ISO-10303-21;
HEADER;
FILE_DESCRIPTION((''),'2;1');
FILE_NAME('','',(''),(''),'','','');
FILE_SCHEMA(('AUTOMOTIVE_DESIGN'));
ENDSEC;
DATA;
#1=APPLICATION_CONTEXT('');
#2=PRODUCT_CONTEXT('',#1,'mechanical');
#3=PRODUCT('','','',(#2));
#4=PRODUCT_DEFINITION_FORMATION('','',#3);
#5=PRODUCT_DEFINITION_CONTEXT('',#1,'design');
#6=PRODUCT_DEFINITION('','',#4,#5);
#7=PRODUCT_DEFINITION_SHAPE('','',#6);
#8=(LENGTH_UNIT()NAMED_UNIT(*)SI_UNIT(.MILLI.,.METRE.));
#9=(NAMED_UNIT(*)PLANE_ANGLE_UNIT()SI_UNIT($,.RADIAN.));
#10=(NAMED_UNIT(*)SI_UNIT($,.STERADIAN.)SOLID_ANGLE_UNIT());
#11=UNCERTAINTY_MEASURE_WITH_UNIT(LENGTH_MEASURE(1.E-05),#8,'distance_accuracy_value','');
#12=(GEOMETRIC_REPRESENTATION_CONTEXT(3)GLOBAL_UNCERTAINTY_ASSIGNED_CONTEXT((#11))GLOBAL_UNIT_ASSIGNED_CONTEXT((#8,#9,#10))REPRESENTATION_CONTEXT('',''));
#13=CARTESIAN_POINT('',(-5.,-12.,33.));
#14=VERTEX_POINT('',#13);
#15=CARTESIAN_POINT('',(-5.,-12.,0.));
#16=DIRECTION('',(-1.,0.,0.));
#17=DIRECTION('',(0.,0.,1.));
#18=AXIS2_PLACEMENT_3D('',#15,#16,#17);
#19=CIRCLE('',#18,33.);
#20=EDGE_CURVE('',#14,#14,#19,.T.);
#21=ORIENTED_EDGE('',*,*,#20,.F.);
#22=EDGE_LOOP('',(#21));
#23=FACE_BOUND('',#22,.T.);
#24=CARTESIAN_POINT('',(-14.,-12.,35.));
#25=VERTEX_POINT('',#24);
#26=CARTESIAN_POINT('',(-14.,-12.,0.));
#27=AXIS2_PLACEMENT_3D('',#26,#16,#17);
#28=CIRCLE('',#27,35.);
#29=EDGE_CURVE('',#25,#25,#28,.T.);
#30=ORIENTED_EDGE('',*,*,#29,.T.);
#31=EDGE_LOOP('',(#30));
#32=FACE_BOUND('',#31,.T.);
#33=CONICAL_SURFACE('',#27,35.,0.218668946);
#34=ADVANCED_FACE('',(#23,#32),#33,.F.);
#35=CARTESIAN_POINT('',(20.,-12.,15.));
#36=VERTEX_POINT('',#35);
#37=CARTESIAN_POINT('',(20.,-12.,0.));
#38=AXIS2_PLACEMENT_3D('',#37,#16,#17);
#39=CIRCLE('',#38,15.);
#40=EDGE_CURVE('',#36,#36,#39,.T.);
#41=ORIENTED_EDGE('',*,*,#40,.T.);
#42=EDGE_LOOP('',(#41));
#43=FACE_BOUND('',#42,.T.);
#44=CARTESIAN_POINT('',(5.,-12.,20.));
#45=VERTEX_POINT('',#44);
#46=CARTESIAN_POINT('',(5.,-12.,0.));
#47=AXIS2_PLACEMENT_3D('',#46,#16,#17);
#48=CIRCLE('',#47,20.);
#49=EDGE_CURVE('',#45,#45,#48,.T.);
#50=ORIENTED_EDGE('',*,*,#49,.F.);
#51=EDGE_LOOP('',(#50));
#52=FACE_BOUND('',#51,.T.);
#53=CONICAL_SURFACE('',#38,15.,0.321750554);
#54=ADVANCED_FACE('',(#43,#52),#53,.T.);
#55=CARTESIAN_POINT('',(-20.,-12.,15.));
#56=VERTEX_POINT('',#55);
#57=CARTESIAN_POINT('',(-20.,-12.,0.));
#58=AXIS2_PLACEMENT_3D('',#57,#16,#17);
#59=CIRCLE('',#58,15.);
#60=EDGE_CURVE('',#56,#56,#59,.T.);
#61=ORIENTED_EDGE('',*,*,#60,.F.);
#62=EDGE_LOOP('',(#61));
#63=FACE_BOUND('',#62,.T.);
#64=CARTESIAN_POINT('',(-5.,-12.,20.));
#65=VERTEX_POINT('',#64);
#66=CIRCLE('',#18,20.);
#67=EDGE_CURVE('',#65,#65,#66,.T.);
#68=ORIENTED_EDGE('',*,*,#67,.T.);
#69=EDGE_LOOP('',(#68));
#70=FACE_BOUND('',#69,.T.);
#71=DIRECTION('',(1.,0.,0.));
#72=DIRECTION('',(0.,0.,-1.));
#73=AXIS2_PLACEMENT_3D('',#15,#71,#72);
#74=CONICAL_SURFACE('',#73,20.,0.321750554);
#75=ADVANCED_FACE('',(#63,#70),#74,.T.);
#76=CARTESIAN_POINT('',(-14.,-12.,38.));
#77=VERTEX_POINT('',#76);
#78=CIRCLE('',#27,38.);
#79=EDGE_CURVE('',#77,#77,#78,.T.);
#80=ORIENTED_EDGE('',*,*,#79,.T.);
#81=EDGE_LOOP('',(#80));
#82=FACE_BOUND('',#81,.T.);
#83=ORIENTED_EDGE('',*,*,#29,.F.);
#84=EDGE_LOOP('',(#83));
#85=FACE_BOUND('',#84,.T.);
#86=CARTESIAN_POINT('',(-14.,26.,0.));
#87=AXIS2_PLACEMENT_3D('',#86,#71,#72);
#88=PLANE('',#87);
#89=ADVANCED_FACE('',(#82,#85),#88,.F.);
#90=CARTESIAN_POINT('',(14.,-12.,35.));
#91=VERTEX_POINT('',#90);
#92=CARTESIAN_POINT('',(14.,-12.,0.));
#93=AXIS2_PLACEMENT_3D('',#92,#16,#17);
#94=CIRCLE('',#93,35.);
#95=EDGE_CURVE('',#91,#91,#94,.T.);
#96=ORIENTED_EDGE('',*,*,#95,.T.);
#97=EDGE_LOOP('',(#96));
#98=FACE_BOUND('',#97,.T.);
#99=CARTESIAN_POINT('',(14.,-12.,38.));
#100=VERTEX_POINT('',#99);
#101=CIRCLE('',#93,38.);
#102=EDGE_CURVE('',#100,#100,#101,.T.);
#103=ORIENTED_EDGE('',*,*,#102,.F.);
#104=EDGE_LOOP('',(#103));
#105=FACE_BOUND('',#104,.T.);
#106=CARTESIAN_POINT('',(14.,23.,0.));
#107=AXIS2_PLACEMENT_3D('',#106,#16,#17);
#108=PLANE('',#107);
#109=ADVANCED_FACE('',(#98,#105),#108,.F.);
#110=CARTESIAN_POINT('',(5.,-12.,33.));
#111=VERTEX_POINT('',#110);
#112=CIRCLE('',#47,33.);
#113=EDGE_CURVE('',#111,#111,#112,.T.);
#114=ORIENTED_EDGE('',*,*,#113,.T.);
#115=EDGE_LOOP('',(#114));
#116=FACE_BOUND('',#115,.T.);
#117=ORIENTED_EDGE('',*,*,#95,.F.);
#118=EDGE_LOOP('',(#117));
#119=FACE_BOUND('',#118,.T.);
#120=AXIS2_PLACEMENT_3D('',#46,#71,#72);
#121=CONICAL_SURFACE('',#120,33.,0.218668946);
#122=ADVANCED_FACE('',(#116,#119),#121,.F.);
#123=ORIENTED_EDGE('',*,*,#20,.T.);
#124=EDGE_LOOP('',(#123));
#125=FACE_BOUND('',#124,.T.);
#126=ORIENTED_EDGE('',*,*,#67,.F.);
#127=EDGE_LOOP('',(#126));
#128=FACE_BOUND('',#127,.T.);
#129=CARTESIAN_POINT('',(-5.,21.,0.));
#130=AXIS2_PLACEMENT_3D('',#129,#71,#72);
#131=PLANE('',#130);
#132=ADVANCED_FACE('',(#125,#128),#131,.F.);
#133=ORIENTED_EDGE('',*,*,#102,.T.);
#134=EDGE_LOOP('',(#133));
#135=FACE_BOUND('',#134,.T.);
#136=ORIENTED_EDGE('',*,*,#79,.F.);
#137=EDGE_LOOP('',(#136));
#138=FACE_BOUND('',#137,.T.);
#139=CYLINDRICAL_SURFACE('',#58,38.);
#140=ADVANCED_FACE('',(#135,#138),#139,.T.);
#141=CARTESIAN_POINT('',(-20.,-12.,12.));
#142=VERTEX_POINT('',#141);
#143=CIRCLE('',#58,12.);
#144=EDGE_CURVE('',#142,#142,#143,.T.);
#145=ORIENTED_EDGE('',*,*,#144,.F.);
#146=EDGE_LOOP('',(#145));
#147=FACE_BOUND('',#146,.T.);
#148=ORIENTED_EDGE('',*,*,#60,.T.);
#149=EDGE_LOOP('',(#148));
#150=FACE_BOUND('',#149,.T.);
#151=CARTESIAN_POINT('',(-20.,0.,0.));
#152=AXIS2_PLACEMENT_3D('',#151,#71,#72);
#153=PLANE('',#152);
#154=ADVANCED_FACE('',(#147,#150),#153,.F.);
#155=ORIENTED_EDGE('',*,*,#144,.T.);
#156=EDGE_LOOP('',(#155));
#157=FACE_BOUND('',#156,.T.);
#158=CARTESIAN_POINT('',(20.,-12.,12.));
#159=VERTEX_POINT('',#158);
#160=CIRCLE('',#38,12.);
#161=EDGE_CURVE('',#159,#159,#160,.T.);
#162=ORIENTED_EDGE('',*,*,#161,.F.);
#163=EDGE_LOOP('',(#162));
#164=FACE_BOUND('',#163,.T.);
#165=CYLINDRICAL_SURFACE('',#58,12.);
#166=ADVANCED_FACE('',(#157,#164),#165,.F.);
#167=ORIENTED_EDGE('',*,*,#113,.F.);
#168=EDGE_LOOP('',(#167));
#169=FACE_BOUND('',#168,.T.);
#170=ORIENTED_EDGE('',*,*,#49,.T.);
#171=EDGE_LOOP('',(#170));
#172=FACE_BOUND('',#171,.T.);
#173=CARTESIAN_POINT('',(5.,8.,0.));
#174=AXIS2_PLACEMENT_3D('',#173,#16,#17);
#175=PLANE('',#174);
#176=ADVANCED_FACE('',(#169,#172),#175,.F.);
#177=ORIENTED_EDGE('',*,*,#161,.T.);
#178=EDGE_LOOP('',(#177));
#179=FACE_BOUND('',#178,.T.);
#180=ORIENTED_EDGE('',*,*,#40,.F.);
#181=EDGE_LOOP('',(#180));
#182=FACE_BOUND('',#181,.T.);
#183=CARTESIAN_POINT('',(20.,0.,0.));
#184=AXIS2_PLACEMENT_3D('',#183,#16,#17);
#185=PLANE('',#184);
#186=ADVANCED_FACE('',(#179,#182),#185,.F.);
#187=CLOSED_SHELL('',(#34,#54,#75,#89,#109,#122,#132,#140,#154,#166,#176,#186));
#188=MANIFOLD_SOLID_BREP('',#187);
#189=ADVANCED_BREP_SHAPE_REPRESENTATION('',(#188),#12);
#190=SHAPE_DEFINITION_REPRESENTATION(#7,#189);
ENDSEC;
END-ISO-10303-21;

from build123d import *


with BuildPart() as part:
    # Sketch4 → Revolve10 (revolve)
    with BuildSketch(Plane.XY, mode=Mode.PRIVATE) as revolve10_sk:
        Polygon((0, 0), (20, 0), (20, 3), (5, 8), (5, 21), (14, 23), (14, 26), (0, 26), (-14, 26), (-14, 23), (-5, 21), (-5, 8), (-20, 3), (-20, 0), align=None)
    revolve(revolve10_sk.sketch.rotate(Axis((-20, -12, 0), (1, 0, 0)), 90), axis=Axis((-20, -12, 0), (1, 0, 0)))


solid = part.part
